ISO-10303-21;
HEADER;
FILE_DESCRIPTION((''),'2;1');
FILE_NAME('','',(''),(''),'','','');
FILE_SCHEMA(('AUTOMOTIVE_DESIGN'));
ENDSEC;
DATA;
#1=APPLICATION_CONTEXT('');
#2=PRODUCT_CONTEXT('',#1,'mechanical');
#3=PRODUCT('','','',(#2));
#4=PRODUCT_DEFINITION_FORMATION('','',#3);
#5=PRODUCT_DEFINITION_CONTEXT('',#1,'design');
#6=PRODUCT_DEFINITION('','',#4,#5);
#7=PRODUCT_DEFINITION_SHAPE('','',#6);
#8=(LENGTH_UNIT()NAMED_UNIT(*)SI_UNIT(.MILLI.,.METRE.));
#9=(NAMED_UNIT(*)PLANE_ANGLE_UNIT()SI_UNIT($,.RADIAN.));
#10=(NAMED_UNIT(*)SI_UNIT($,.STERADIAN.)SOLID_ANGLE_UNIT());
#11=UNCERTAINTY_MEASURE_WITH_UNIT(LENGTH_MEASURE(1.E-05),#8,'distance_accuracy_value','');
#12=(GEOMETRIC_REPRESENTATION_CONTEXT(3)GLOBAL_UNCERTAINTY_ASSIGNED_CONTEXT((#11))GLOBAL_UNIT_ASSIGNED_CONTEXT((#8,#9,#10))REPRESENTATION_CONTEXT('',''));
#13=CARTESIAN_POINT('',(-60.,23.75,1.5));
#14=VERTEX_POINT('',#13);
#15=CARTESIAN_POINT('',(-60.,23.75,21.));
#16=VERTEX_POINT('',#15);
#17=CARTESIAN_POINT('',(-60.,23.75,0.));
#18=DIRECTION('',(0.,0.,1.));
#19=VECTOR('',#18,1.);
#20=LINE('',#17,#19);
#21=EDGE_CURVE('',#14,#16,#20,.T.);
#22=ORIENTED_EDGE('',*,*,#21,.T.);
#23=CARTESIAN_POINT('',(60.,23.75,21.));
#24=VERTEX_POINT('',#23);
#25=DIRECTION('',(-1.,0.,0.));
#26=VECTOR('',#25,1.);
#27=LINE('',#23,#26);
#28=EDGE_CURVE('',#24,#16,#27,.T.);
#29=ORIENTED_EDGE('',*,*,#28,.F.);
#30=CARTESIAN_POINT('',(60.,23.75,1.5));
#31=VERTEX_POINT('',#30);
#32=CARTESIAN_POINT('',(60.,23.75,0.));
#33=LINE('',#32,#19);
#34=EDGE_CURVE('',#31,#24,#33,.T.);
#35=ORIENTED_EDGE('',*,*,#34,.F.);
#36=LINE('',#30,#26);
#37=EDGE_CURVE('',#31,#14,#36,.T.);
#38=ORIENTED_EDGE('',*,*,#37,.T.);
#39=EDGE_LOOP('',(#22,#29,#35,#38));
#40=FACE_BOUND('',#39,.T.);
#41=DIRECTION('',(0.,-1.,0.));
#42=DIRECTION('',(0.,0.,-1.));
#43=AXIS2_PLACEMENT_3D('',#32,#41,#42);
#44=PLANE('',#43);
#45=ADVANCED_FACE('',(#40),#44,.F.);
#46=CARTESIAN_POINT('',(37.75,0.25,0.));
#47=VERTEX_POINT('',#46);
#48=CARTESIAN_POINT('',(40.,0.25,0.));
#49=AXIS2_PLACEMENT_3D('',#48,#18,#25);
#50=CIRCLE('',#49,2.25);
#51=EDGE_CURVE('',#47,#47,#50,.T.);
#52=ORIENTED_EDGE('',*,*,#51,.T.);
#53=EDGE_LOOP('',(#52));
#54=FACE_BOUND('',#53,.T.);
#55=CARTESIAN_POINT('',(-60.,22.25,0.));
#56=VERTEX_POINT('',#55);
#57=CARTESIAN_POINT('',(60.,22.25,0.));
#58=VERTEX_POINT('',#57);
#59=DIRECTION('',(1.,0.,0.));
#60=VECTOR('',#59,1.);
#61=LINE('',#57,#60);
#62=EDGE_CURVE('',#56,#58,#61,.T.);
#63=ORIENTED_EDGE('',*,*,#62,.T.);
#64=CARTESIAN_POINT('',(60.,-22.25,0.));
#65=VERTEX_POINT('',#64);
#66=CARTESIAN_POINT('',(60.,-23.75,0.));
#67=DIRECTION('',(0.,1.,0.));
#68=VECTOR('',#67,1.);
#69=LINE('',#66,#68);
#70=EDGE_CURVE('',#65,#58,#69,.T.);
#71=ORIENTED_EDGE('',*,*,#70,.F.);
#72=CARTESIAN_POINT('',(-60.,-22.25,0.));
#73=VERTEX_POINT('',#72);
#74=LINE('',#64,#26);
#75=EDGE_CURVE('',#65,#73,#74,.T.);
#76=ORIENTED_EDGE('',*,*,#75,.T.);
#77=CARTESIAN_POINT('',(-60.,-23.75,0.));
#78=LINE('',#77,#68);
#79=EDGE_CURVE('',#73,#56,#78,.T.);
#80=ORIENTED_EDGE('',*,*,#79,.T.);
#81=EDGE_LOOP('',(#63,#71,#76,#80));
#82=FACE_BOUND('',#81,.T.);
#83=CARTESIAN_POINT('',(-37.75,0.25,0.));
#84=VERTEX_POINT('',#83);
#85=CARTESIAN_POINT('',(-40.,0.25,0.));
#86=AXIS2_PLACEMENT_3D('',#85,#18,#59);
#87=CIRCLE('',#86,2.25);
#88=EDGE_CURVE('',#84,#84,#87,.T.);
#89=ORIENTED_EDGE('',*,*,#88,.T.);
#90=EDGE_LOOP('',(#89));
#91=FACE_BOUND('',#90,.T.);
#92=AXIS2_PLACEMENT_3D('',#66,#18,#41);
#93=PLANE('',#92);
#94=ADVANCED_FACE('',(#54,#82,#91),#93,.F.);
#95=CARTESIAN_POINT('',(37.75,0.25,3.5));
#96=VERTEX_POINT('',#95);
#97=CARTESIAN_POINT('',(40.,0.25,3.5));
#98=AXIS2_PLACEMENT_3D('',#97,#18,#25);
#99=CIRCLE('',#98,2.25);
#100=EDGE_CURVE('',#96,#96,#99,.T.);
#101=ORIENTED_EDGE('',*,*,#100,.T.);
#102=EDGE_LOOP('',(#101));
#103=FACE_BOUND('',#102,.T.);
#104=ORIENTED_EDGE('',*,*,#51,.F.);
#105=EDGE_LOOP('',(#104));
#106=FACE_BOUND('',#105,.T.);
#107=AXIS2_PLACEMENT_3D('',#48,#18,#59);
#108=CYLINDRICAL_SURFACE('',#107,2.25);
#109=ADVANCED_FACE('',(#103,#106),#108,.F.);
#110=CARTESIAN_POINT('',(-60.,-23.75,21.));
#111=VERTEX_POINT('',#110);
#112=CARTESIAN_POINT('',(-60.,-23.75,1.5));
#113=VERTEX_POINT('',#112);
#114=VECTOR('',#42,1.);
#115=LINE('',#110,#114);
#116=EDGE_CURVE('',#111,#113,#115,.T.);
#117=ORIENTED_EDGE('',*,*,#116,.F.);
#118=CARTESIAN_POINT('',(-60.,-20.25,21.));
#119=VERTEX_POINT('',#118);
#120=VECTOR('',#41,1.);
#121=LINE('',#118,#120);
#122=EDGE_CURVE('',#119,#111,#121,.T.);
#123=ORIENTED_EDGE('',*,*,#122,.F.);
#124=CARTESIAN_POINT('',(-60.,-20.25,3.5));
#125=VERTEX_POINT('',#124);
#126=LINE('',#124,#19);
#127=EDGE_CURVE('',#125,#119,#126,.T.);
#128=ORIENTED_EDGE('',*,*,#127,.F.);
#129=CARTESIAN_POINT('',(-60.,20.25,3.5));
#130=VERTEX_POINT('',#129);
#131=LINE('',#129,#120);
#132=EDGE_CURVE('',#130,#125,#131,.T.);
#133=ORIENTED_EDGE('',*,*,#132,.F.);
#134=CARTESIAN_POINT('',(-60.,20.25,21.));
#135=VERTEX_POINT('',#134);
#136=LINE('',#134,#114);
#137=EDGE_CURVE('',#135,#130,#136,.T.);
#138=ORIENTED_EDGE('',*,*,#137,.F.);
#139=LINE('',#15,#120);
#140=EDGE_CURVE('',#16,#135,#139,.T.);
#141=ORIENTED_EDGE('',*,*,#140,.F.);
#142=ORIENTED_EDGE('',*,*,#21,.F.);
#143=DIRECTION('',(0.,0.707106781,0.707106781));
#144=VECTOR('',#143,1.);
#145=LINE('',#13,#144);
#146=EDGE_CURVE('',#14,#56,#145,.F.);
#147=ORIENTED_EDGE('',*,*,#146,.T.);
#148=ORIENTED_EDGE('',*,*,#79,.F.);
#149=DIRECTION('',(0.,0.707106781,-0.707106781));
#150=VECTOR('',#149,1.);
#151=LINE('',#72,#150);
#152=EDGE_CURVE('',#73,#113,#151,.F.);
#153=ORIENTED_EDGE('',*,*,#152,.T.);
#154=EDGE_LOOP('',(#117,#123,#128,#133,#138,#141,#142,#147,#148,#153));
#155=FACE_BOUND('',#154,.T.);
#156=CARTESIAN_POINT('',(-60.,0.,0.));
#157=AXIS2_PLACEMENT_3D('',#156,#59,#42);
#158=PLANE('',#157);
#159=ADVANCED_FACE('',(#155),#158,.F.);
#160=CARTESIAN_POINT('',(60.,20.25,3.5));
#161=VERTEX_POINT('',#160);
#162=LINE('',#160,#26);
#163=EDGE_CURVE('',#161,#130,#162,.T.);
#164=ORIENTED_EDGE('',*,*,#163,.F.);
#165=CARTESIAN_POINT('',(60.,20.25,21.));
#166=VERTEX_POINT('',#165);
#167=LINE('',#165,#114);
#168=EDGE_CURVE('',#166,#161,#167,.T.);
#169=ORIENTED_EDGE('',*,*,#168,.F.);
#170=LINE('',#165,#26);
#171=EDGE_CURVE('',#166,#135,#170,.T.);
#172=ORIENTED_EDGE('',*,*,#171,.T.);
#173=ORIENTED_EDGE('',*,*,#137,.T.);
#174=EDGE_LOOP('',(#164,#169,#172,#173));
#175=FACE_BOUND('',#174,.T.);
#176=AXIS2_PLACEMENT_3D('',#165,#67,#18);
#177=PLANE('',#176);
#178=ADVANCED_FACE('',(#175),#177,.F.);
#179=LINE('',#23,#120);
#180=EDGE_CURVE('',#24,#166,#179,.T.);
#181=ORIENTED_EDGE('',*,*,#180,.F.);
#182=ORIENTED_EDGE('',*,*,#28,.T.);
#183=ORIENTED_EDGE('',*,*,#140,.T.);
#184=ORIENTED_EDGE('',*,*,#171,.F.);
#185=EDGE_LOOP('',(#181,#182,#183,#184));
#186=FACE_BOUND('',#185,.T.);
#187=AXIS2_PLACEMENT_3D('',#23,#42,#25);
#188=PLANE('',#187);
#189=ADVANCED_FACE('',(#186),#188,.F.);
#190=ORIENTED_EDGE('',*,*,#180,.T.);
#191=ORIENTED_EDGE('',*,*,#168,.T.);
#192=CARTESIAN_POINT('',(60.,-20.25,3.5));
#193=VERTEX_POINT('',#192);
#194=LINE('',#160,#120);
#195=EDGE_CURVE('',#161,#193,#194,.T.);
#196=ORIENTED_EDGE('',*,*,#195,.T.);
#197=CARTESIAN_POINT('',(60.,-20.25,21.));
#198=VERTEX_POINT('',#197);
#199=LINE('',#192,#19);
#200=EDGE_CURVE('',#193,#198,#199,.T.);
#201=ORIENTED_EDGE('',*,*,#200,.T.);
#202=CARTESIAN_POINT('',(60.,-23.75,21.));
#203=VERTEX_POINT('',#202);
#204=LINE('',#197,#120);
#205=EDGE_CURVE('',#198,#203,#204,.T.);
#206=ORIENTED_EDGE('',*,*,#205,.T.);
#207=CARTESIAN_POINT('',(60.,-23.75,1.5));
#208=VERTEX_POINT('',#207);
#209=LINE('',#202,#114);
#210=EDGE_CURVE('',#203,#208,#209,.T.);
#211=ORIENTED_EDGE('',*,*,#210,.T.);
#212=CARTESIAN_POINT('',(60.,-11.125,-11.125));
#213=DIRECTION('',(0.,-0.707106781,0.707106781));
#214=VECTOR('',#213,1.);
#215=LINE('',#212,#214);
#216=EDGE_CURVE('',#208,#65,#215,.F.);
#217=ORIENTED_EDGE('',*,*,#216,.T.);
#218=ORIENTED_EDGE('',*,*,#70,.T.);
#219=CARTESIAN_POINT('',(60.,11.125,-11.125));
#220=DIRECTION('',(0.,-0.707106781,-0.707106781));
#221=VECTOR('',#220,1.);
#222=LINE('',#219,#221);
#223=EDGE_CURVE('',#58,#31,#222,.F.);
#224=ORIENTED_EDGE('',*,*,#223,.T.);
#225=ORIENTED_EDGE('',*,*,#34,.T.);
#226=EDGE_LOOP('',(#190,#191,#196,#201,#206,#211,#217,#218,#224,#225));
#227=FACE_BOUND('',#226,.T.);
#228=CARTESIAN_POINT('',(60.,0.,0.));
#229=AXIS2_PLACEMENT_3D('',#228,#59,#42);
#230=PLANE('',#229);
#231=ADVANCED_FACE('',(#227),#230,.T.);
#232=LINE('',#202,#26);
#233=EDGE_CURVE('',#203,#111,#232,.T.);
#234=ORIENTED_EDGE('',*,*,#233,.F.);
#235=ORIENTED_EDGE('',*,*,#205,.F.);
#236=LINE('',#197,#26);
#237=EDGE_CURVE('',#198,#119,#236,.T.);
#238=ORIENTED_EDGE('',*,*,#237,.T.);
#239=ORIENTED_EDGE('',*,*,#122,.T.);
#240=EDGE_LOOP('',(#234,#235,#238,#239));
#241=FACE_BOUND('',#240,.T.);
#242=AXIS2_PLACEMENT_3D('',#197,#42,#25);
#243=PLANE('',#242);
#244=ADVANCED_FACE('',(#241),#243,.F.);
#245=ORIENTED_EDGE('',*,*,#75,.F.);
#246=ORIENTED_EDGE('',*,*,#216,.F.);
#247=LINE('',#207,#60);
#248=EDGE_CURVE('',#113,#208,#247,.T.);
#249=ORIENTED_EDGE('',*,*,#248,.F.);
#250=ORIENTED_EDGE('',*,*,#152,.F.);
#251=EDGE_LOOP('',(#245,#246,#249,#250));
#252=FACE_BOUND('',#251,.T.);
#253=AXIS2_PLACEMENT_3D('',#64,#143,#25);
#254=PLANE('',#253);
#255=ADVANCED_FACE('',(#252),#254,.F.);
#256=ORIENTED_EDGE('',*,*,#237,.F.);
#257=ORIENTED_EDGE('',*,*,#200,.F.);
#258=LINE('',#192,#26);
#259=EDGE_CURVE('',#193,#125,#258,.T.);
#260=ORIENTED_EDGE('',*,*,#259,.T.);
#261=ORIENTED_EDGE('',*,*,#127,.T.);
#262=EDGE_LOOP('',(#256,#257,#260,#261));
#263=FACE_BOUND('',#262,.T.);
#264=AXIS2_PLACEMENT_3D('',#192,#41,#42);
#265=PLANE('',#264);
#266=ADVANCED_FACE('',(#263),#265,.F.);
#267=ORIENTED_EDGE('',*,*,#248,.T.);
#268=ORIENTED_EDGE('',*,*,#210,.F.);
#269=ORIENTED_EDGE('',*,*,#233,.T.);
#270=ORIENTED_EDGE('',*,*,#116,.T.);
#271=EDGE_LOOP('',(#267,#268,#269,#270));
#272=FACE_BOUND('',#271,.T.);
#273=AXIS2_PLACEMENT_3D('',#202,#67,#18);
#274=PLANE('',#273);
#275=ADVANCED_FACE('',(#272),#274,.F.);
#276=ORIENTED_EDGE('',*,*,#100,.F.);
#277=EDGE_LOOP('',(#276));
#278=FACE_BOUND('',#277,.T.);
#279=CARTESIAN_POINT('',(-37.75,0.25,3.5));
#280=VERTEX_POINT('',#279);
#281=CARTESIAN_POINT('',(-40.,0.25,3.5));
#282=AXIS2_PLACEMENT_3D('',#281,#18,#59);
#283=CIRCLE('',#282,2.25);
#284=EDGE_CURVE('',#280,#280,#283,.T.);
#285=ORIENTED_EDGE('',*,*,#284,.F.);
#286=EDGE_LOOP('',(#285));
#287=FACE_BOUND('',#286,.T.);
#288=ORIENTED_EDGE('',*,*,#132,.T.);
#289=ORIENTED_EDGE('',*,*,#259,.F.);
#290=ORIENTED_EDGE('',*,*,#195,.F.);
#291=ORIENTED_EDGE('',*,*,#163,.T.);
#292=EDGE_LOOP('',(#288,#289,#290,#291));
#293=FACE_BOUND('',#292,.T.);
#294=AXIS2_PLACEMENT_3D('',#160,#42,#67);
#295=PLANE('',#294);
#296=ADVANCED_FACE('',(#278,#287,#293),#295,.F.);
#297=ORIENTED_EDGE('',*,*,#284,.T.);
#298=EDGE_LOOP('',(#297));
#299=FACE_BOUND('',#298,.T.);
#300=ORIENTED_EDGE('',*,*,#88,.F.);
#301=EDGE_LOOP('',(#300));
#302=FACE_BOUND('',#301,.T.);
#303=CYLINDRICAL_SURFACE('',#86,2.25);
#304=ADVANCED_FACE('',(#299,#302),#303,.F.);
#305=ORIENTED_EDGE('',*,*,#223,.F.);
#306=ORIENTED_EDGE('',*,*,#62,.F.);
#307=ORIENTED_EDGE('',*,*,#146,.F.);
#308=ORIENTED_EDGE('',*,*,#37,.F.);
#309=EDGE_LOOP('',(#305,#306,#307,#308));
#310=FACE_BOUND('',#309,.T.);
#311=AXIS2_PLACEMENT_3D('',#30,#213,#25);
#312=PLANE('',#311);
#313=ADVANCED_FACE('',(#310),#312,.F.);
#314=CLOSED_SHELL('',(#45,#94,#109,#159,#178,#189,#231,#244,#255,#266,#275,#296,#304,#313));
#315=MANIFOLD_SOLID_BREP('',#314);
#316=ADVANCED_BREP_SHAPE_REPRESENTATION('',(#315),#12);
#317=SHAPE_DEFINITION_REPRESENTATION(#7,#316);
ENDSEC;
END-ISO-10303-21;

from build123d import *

# Parameters (mm, degrees)
SALIENTE_EXTRUIR1_DEPTH = 60
CHAFL_N1_SIZE           = 1.5
CROQUIS3_R              = 2.25
CORTAR_EXTRUIR2_DEPTH   = 4.5


with BuildPart() as part:
    # Croquis1 → Saliente-Extruir1 (new body, symmetric)
    with BuildSketch(Plane(origin=(0, 0, 0), x_dir=(0, 0, -1), z_dir=(1, 0, 0))):
        Polygon((0, -23.75), (0, 23.75), (-21, 23.75), (-21, 20.25), (-3.5, 20.25), (-3.5, -20.25), (-21, -20.25), (-21, -23.75), align=None)
    extrude(amount=SALIENTE_EXTRUIR1_DEPTH, both=True)

    # Chaflán1
    chafl_n1_edges = [part.edges().sort_by_distance(p)[0] for p in [
        (0, 23.75, 0),
        (0, -23.75, 0),
    ]]
    chamfer(chafl_n1_edges, length=CHAFL_N1_SIZE)

    # Croquis3 → Cortar-Extruir2 (cut, through all)
    with BuildSketch(Plane.XY.offset(3.5)):
        with Locations((-40, 0.25)):
            Circle(CROQUIS3_R)
        with Locations((40, 0.25)):
            Circle(CROQUIS3_R)
    extrude(amount=-CORTAR_EXTRUIR2_DEPTH, mode=Mode.SUBTRACT)


solid = part.part
